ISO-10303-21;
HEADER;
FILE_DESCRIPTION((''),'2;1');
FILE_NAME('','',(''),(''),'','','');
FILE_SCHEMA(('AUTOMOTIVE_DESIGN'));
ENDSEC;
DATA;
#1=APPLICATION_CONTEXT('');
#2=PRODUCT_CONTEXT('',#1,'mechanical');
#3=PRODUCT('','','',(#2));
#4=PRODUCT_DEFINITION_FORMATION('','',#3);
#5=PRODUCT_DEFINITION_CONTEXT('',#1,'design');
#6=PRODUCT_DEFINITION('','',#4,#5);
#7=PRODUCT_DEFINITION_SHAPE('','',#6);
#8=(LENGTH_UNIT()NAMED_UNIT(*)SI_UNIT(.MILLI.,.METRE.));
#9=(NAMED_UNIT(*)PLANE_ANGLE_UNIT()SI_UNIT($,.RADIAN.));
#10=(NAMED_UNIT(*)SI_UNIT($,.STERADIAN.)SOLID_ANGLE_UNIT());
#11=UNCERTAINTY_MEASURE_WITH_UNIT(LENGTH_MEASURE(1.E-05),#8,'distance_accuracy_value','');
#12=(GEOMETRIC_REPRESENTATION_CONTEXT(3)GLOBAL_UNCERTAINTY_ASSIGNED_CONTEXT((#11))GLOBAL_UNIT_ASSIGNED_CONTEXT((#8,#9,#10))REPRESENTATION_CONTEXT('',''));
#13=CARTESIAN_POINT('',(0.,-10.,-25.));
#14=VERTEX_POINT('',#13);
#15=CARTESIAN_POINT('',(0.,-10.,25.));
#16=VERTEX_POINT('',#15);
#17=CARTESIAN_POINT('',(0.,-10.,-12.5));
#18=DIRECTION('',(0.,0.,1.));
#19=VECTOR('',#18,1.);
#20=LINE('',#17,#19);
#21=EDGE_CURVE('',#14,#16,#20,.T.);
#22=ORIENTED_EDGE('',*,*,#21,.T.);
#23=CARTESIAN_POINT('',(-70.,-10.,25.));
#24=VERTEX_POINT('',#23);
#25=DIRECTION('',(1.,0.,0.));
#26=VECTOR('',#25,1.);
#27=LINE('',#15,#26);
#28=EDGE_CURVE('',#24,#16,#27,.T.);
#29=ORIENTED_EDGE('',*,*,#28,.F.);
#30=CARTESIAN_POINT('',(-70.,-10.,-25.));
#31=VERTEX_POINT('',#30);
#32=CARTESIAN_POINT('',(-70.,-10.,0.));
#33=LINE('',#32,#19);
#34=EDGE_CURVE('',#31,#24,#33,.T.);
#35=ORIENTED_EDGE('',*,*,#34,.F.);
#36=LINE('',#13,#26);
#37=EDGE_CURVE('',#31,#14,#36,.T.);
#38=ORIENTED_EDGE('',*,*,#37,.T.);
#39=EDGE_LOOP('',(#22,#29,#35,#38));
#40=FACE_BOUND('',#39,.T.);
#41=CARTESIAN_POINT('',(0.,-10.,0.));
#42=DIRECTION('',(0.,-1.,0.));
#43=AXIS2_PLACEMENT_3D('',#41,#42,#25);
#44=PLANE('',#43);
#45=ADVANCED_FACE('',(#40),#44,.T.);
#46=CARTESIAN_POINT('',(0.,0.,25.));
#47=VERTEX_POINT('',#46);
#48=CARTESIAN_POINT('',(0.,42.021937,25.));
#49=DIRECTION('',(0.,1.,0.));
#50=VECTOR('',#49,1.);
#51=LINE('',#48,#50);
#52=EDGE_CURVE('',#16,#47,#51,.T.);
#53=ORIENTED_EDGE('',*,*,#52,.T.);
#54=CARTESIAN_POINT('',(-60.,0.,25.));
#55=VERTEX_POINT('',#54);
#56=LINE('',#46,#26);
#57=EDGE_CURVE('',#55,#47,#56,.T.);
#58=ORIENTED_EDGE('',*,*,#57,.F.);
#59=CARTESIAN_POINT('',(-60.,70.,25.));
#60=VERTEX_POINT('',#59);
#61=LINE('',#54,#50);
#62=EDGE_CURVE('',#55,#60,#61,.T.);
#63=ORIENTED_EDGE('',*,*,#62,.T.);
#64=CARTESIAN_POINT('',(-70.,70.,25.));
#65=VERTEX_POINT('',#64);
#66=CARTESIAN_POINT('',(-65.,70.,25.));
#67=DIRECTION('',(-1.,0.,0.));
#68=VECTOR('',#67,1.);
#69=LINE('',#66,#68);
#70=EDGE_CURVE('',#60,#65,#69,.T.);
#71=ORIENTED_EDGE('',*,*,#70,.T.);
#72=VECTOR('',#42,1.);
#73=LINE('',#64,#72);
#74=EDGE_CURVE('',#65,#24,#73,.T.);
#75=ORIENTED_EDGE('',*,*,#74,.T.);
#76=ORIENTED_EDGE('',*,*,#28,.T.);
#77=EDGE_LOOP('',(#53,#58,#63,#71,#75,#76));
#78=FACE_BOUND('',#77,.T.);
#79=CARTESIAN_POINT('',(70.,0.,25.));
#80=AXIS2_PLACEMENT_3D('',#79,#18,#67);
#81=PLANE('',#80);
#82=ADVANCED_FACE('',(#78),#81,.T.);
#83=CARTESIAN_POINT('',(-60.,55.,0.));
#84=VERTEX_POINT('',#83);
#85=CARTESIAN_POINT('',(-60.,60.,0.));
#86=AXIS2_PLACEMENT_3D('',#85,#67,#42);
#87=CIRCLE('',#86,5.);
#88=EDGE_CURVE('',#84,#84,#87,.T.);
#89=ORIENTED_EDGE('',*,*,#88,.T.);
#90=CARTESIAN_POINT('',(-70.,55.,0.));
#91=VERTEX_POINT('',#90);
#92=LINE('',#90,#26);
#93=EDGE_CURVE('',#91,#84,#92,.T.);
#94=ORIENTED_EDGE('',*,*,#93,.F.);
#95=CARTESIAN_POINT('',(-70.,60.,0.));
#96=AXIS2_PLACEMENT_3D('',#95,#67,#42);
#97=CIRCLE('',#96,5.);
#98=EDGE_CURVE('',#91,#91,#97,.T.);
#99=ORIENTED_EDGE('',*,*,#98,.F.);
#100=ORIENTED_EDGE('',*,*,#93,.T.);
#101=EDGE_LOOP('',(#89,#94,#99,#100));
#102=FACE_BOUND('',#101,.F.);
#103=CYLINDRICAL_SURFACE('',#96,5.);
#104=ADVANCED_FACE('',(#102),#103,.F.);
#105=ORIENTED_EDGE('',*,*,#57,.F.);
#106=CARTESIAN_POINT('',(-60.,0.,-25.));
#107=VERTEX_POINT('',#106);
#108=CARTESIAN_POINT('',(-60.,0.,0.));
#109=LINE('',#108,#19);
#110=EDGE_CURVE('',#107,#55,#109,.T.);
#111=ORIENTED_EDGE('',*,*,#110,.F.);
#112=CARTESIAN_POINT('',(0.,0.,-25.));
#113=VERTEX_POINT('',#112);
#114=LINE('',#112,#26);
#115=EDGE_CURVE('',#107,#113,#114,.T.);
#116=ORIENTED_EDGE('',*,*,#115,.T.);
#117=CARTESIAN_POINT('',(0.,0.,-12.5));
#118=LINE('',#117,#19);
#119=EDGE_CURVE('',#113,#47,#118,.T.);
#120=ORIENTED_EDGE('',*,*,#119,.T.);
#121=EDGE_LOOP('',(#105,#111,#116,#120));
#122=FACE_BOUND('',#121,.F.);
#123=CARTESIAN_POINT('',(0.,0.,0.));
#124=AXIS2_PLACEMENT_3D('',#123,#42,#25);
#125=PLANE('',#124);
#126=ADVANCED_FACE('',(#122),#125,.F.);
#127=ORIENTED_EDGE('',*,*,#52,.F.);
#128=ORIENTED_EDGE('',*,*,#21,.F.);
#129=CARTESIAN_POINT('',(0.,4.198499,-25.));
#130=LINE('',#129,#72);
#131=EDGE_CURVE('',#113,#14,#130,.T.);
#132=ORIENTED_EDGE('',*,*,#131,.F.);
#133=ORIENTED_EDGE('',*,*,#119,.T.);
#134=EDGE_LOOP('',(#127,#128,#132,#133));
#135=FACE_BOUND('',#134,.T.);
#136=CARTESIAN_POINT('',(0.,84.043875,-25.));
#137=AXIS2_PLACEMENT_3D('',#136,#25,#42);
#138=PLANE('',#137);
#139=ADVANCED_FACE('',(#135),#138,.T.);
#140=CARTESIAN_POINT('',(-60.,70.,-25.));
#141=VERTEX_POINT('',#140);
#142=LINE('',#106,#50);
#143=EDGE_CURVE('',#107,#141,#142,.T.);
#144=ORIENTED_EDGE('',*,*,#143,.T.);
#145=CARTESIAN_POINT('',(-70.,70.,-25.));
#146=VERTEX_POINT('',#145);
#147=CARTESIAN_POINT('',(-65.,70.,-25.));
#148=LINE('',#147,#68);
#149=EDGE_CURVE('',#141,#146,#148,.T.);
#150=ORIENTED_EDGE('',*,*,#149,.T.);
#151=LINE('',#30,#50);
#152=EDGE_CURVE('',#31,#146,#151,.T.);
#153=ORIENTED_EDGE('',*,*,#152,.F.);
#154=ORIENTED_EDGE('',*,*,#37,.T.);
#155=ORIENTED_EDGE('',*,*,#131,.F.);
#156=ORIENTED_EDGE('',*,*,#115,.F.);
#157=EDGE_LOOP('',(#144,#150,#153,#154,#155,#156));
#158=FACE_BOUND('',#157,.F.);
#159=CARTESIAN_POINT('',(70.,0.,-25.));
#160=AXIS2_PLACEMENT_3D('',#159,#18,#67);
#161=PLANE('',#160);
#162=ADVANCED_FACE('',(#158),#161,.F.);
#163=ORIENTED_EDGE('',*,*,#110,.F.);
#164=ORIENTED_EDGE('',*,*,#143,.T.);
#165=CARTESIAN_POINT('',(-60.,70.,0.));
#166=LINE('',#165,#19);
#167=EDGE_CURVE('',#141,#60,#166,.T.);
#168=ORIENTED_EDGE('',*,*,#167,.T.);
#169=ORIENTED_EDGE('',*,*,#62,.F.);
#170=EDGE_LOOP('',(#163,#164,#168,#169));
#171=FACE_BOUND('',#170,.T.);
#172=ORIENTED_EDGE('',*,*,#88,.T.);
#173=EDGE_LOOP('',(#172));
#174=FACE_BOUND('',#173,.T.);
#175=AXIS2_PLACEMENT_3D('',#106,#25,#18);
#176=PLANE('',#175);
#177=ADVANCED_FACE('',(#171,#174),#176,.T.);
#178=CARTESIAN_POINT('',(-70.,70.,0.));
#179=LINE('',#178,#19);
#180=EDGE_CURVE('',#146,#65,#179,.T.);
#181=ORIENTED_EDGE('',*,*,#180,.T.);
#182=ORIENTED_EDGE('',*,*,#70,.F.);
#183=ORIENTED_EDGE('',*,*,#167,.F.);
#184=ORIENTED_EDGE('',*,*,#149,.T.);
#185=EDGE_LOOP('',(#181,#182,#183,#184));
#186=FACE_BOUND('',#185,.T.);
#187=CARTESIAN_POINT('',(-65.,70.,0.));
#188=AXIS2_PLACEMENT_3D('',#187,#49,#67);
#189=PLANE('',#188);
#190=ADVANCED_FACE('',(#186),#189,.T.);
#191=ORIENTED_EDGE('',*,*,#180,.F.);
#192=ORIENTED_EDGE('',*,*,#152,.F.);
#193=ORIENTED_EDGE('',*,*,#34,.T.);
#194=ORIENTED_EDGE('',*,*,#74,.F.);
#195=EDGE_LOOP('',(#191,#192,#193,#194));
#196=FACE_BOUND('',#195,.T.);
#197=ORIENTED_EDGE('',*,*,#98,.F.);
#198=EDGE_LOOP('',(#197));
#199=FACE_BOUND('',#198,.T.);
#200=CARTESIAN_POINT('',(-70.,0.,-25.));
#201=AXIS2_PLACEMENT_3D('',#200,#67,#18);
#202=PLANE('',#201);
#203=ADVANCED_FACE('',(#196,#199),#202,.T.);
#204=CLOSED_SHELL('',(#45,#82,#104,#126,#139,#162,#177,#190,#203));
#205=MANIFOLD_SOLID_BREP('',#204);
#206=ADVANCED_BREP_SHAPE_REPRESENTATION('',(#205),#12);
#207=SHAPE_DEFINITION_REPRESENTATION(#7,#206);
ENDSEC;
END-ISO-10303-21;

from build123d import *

# Parameters (mm, degrees)
F0_W     = 140
F0_H     = 50
F1_DEPTH = 10
F2_W     = 10
F2_H     = 50
F3_DEPTH = 70
F4_R     = 5
F5_DEPTH = 140.001
F6_W     = 140.089303
F6_H     = 159.690752
F7_DEPTH = 50.001


with BuildPart() as f1:
    # F0 (on Front) → F1 (new body)
    with BuildSketch(Plane.XZ):
        Rectangle(F0_W, F0_H)
    extrude(amount=F1_DEPTH)

    # F2 (on face) → F3 (join)
    with BuildSketch(Plane(origin=(0, 0, 0), x_dir=(-1, 0, 0), z_dir=(0, 1, 0))):
        with Locations((-65, 0)):
            Rectangle(F2_W, F2_H)
        with Locations((65, 0)):
            Rectangle(F2_W, F2_H)
    extrude(amount=F3_DEPTH)

    # F4 (on face) → F5 (cut, through all)
    with BuildSketch(Plane(origin=(-70, 0, 0), x_dir=(0, -1, 0), z_dir=(-1, 0, 0))):
        with Locations((-60, 0)):
            Circle(F4_R)
    extrude(amount=-F5_DEPTH, mode=Mode.SUBTRACT)

    # F6 (on face) → F7 (cut, through all)
    with BuildSketch(Plane(origin=(0, 0, -25), x_dir=(1, 0, 0), z_dir=(0, 0, -1))):
        with Locations((70.044652, -4.198499)):
            Rectangle(F6_W, F6_H)
    extrude(amount=-F7_DEPTH, mode=Mode.SUBTRACT)


solid = f1.part
